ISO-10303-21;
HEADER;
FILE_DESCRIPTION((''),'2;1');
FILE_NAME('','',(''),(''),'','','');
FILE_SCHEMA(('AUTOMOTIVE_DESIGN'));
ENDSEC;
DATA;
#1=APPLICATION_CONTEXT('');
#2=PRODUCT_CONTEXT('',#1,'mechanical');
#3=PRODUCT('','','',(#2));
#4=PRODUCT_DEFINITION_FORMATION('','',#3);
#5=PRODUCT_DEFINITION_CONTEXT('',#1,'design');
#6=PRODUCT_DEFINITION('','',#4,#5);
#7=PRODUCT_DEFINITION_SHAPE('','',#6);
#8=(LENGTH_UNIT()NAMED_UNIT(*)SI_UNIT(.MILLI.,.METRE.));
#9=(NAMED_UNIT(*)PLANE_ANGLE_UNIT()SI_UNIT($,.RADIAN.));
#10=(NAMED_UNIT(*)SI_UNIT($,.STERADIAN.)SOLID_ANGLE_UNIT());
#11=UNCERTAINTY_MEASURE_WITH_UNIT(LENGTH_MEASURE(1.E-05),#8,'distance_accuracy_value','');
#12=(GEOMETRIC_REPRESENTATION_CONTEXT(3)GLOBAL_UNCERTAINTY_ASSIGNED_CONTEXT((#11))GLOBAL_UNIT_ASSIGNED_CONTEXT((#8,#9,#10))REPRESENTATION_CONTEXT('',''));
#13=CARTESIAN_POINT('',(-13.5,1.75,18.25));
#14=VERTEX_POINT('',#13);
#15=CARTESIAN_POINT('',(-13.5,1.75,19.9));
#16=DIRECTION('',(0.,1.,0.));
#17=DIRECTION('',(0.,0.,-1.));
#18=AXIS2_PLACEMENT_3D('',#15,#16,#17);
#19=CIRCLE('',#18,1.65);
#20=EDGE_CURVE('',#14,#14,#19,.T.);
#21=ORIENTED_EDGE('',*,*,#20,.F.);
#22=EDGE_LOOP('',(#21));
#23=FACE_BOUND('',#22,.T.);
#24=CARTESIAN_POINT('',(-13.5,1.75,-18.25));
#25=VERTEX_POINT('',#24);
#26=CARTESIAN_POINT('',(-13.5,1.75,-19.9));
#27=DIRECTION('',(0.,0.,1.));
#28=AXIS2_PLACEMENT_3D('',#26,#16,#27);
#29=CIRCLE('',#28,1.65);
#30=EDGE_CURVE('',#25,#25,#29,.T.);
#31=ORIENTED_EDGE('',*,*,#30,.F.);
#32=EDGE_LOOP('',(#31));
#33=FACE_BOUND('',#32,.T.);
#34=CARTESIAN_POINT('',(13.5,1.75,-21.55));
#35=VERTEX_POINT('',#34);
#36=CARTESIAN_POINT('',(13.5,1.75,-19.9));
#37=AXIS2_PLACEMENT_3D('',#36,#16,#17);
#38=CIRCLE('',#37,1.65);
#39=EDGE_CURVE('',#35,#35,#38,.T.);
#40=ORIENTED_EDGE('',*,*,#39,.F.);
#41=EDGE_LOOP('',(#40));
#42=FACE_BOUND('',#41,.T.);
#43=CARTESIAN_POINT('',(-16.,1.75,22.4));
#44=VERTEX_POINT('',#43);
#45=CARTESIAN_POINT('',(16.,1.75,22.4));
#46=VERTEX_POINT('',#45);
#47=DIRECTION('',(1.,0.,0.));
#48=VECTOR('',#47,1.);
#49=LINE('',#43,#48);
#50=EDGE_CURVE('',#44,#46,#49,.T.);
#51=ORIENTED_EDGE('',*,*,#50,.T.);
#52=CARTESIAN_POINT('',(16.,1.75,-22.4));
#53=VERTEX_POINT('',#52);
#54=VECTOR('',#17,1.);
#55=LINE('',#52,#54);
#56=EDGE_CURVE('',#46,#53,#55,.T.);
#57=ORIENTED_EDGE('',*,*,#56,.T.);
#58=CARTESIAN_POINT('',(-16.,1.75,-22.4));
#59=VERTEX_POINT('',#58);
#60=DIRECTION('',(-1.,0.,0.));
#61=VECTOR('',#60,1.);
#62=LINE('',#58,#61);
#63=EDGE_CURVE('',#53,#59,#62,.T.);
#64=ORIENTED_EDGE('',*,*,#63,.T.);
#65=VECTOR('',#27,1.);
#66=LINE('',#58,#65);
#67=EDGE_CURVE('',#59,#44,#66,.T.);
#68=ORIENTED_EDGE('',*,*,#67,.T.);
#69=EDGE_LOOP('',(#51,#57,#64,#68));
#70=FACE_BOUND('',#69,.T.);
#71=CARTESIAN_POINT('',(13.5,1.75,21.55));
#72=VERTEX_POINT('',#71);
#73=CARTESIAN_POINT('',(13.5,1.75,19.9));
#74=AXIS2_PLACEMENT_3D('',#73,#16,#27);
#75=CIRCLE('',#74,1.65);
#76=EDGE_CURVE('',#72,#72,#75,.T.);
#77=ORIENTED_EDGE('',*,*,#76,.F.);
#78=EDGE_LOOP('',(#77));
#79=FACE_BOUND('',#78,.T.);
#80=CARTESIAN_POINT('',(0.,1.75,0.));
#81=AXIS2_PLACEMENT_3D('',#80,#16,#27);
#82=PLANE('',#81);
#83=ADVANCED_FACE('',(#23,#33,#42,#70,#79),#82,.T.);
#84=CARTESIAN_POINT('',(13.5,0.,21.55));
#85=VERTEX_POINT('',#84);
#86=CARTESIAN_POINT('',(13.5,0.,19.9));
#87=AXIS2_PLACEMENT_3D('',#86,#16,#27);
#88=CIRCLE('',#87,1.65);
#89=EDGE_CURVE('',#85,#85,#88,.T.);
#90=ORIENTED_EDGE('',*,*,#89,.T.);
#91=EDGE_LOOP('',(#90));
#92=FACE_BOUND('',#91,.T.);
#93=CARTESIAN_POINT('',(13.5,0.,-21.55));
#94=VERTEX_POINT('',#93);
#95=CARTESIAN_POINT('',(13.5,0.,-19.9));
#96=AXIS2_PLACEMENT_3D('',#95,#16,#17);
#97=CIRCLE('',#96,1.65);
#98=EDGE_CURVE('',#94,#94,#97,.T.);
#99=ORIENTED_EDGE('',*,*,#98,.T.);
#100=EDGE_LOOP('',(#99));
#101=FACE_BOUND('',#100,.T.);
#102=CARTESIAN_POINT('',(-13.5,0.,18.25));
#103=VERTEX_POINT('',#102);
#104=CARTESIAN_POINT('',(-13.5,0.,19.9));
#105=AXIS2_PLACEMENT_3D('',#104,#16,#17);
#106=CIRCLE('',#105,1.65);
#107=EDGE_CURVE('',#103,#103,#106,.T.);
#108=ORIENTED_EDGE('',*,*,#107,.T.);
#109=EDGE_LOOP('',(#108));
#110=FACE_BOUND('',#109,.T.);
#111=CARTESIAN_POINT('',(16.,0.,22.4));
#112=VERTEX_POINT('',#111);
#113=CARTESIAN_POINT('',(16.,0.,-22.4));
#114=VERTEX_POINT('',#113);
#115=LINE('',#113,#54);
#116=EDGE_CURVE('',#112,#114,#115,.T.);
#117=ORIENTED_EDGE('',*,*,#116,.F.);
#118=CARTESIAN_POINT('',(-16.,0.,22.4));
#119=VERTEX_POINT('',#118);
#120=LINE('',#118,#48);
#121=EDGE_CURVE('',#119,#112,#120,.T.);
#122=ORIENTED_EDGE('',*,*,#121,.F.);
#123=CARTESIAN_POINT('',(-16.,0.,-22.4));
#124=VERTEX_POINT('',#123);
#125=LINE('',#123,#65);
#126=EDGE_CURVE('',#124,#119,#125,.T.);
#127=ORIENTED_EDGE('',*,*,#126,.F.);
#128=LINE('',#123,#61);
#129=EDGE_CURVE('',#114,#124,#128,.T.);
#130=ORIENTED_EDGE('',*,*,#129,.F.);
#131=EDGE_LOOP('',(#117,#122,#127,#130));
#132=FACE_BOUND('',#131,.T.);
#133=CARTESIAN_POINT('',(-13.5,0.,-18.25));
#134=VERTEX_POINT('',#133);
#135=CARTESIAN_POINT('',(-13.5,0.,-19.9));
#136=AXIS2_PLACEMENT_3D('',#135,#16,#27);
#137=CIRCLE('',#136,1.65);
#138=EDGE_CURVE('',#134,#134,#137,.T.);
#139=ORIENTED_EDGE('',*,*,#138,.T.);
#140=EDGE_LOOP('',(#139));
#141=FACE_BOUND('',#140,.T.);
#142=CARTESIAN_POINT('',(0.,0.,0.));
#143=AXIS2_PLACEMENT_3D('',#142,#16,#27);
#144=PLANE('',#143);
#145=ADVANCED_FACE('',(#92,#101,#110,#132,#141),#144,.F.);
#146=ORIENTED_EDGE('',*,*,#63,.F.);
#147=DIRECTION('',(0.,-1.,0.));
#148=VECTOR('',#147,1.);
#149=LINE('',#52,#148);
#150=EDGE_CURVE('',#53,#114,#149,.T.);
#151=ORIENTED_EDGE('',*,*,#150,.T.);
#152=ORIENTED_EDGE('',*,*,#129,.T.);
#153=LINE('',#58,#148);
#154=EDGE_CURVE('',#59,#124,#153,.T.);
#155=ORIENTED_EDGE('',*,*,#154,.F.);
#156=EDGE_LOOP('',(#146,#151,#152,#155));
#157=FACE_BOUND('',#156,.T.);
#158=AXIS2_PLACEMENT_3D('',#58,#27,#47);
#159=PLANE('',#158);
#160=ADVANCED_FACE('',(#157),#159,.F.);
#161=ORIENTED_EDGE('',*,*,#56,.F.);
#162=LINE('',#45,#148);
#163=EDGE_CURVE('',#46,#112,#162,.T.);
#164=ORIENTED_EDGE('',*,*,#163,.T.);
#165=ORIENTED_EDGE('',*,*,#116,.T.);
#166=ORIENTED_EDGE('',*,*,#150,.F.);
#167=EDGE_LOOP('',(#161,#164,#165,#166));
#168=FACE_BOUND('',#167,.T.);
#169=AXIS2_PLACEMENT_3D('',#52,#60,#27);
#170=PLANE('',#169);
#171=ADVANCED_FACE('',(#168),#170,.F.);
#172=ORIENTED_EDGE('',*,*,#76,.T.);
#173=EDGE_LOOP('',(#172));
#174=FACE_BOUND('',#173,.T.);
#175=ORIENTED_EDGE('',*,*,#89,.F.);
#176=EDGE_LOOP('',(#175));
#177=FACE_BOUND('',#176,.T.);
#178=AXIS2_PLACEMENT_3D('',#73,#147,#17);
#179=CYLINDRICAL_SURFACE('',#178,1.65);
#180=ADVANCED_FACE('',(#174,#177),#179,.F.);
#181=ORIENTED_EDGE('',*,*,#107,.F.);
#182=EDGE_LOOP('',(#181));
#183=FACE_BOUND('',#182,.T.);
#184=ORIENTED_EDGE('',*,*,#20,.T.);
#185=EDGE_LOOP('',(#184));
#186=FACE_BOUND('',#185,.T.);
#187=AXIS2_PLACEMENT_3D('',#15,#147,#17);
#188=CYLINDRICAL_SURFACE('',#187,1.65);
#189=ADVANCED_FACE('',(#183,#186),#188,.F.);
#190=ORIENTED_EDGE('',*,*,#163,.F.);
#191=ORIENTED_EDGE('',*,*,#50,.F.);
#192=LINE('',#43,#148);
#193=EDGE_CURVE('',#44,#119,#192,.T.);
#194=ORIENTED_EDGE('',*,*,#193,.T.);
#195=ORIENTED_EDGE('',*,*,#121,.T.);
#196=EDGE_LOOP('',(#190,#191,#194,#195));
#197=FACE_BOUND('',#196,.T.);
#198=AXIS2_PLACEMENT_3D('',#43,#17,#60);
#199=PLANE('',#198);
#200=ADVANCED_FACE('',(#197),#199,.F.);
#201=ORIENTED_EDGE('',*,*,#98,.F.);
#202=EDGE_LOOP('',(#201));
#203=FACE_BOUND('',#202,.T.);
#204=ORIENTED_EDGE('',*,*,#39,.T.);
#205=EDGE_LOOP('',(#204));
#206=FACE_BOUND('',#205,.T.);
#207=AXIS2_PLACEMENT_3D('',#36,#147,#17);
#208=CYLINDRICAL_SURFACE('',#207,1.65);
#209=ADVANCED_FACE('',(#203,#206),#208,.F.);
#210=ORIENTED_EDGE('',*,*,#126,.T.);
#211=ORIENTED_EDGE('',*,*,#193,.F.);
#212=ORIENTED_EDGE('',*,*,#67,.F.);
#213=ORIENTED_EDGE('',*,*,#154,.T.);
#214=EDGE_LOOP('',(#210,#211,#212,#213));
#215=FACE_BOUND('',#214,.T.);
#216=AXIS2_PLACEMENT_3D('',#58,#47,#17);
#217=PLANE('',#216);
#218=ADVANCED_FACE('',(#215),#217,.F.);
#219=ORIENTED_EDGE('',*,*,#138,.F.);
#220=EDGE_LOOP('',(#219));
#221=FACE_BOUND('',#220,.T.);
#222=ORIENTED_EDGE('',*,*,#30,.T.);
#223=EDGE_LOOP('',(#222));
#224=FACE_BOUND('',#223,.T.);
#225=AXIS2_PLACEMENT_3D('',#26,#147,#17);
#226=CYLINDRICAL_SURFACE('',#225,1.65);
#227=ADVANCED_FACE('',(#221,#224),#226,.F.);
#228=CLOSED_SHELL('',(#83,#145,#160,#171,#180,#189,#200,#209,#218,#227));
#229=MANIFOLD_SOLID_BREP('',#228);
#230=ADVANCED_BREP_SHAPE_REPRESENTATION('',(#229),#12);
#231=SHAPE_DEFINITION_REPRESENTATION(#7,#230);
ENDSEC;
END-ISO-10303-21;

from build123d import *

# Parameters (mm, degrees)
CROQUIS1_W              = 32
CROQUIS1_H              = 44.8
CROQUIS1_R              = 1.65
SALIENTE_EXTRUIR1_DEPTH = 1.75


with BuildPart() as part:
    # Croquis1 → Saliente-Extruir1 (new body)
    with BuildSketch(Plane(origin=(0, 0, 0), x_dir=(1, 0, 0), z_dir=(0, 1, 0))):
        Rectangle(CROQUIS1_W, CROQUIS1_H)
        with Locations(Location((-13.5, 19.9, 0), (0, 0, 270))):
            Circle(CROQUIS1_R, mode=Mode.SUBTRACT)
        with Locations(Location((13.5, 19.9, 0), (0, 0, 90))):
            Circle(CROQUIS1_R, mode=Mode.SUBTRACT)
        with Locations(Location((13.5, -19.9, 0), (0, 0, 270))):
            Circle(CROQUIS1_R, mode=Mode.SUBTRACT)
        with Locations(Location((-13.5, -19.9, 0), (0, 0, 90))):
            Circle(CROQUIS1_R, mode=Mode.SUBTRACT)
    extrude(amount=SALIENTE_EXTRUIR1_DEPTH)


solid = part.part
